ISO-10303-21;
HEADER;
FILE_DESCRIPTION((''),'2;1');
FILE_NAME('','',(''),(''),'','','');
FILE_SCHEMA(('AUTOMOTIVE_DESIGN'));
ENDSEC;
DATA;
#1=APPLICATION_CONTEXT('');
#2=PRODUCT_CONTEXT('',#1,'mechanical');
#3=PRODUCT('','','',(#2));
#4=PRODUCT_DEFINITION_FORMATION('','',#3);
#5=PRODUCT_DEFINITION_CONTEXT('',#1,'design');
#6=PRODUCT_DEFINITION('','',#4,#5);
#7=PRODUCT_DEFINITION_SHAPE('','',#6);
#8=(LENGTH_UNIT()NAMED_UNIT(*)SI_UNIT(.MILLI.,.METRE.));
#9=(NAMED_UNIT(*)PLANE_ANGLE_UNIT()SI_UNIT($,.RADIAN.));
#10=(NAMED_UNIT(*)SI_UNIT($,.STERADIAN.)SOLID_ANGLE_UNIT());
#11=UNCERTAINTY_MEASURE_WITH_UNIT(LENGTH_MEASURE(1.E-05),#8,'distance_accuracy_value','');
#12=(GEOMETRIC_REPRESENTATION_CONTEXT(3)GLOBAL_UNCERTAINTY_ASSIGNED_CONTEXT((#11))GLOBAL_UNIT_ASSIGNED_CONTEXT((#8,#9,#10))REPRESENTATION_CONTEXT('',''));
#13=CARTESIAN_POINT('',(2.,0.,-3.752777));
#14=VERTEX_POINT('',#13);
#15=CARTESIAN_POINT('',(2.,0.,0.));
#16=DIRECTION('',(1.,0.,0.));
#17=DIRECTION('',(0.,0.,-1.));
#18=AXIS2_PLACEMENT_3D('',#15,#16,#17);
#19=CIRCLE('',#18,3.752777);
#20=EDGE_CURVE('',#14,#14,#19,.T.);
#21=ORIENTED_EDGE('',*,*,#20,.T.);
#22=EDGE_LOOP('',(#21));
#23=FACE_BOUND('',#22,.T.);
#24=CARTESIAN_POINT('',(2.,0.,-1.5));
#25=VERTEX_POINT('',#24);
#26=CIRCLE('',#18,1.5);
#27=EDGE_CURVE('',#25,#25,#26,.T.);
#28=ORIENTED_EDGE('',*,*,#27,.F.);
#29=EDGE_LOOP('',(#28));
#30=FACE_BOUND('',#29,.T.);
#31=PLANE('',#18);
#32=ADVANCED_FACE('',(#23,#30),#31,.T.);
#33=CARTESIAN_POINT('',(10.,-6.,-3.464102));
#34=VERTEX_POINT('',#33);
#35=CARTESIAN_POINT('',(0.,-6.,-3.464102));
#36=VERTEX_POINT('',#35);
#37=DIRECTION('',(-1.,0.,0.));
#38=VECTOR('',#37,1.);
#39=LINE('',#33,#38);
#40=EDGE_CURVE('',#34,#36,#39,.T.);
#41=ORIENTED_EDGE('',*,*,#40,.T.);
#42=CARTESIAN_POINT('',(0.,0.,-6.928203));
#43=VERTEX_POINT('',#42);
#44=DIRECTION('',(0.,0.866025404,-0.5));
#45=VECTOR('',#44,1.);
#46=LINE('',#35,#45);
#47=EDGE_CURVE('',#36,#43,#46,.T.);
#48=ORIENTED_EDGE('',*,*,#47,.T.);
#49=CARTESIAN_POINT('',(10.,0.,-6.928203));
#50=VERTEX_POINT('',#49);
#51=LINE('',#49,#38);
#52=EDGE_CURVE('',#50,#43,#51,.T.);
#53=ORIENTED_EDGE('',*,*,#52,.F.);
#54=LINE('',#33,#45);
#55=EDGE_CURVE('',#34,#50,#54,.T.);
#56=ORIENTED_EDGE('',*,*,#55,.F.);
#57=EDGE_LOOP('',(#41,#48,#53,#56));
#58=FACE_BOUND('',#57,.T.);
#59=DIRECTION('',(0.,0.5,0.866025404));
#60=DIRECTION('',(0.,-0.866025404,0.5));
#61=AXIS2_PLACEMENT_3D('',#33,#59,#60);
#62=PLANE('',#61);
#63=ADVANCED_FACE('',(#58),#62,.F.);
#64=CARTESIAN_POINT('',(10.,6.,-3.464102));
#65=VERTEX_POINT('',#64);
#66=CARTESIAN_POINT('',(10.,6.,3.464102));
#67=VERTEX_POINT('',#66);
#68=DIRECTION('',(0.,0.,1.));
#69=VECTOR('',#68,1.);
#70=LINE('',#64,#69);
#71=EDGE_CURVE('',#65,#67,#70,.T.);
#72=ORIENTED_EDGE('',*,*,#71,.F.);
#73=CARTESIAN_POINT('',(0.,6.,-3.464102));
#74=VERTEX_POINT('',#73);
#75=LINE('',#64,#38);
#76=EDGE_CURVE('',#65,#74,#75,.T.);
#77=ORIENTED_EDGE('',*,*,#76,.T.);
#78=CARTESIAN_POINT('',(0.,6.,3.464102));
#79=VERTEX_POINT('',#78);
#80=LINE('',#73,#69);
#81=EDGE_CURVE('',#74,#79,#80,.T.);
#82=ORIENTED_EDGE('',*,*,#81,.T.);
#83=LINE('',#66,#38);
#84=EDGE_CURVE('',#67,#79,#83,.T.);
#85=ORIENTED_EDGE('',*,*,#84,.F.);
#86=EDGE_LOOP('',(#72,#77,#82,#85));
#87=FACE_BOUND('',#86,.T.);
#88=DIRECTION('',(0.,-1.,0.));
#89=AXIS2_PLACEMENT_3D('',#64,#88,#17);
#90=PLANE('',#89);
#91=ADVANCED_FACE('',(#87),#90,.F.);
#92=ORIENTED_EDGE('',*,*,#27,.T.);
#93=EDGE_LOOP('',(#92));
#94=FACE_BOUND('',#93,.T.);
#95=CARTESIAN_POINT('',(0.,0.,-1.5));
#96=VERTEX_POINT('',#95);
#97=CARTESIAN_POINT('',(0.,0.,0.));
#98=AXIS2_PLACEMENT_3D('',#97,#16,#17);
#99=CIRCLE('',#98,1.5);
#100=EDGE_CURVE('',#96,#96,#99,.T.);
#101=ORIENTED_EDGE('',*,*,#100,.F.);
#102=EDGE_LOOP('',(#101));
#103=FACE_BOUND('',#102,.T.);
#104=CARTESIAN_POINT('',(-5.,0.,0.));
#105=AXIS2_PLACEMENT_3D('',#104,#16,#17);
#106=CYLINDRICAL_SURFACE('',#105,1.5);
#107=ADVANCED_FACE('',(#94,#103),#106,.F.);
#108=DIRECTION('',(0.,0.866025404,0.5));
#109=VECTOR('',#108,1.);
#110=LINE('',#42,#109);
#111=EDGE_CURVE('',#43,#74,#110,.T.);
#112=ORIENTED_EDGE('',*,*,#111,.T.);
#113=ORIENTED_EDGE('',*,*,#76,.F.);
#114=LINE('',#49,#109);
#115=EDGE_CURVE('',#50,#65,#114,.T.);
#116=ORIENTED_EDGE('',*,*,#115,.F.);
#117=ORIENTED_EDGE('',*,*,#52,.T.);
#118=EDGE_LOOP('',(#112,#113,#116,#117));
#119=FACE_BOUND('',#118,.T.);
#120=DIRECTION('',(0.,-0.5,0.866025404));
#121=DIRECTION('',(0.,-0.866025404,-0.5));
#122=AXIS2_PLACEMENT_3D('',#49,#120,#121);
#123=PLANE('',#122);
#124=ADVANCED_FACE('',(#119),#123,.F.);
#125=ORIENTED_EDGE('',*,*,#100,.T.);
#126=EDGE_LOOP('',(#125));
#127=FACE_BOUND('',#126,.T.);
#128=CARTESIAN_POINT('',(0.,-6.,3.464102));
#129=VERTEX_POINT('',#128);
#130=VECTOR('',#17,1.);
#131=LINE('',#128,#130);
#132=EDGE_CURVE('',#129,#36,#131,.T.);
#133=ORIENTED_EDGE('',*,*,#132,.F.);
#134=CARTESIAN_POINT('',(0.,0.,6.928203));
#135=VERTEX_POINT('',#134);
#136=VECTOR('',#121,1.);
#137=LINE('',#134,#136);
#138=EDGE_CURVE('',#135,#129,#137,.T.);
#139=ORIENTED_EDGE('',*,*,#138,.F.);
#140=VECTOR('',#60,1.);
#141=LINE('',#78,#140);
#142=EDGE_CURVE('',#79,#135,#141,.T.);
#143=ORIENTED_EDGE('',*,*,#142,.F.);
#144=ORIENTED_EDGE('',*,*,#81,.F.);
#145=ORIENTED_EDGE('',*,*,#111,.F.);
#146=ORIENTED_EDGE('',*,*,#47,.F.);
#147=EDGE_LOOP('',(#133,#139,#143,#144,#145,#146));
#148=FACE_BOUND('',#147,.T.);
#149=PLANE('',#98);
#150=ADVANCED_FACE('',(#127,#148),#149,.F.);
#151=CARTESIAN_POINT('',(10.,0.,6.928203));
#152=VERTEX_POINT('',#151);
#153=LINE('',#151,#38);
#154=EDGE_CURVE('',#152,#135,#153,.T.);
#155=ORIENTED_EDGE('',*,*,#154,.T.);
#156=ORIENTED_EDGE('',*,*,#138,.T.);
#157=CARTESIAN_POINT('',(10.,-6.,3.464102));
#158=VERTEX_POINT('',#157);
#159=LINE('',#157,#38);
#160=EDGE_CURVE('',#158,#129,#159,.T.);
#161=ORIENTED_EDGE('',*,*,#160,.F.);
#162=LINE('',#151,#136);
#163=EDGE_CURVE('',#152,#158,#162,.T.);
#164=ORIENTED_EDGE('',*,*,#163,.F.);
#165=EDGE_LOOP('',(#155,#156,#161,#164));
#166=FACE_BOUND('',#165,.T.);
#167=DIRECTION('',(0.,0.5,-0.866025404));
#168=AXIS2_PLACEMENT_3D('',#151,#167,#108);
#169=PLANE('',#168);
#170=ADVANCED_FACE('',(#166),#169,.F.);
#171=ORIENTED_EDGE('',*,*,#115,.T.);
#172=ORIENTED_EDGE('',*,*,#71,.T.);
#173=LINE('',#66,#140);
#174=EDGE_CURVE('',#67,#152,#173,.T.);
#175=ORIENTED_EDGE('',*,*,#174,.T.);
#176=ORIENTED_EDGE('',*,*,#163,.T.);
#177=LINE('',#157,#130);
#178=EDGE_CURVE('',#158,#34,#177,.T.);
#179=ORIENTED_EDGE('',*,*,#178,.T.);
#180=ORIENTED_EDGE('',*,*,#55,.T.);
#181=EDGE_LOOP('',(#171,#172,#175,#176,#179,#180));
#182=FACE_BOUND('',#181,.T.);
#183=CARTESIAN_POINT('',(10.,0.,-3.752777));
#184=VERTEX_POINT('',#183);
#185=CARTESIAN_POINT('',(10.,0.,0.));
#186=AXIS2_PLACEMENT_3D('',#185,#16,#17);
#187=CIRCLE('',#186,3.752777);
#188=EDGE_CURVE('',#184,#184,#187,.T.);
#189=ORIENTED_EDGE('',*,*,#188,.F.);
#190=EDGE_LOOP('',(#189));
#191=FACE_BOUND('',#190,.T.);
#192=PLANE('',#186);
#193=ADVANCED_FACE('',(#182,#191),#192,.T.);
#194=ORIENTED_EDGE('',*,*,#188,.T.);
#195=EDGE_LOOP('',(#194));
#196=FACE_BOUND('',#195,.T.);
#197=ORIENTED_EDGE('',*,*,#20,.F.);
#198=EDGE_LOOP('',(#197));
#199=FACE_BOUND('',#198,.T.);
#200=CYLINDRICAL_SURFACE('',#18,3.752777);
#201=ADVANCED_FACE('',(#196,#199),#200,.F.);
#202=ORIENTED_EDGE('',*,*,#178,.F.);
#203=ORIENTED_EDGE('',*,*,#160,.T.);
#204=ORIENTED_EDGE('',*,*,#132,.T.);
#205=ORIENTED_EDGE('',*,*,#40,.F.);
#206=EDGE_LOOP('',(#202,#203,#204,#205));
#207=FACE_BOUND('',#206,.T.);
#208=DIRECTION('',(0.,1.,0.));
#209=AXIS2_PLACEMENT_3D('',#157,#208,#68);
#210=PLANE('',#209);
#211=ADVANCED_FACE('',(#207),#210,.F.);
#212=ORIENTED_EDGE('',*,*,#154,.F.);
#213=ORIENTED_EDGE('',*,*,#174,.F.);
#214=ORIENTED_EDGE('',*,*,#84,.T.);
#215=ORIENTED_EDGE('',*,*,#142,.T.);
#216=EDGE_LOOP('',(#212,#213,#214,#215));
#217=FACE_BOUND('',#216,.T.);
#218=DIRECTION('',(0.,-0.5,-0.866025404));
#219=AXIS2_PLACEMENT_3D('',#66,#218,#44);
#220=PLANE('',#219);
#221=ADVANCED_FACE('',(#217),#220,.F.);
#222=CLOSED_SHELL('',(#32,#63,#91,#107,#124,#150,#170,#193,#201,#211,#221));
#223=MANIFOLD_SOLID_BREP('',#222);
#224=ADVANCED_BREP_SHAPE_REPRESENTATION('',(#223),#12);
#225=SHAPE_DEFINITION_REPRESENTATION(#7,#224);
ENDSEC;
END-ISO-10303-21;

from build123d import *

# Parameters (mm, degrees)
EXTRUDE_1_DEPTH     = 10
SKETCH_2_R          = 3.75277675
CUT_EXTRUDE_1_DEPTH = 8
SKETCH_3_R          = 1.5
CUT_EXTRUDE_2_DEPTH = 7


with BuildPart() as part:
    # 草图1 → 凸台-拉伸1 (new body)
    with BuildSketch(Plane(origin=(0, 0, 0), x_dir=(0, 0, -1), z_dir=(1, 0, 0))):
        Polygon((6.92820323, 0), (3.464101615, 6), (-3.464101615, 6), (-6.92820323, 0), (-3.464101615, -6), (3.464101615, -6), align=None)
    extrude(amount=EXTRUDE_1_DEPTH)

    # 草图2 → 切除-拉伸1 (cut)
    with BuildSketch(Plane(origin=(10, 0, 0), x_dir=(0, 0, -1), z_dir=(1, 0, 0))):
        Circle(SKETCH_2_R)
    extrude(amount=-CUT_EXTRUDE_1_DEPTH, mode=Mode.SUBTRACT)

    # 草图3 → 切除-拉伸2 (cut)
    with BuildSketch(Plane(origin=(2, 0, 0), x_dir=(0, 0, -1), z_dir=(1, 0, 0))):
        Circle(SKETCH_3_R)
    extrude(amount=-CUT_EXTRUDE_2_DEPTH, mode=Mode.SUBTRACT)


solid = part.part
